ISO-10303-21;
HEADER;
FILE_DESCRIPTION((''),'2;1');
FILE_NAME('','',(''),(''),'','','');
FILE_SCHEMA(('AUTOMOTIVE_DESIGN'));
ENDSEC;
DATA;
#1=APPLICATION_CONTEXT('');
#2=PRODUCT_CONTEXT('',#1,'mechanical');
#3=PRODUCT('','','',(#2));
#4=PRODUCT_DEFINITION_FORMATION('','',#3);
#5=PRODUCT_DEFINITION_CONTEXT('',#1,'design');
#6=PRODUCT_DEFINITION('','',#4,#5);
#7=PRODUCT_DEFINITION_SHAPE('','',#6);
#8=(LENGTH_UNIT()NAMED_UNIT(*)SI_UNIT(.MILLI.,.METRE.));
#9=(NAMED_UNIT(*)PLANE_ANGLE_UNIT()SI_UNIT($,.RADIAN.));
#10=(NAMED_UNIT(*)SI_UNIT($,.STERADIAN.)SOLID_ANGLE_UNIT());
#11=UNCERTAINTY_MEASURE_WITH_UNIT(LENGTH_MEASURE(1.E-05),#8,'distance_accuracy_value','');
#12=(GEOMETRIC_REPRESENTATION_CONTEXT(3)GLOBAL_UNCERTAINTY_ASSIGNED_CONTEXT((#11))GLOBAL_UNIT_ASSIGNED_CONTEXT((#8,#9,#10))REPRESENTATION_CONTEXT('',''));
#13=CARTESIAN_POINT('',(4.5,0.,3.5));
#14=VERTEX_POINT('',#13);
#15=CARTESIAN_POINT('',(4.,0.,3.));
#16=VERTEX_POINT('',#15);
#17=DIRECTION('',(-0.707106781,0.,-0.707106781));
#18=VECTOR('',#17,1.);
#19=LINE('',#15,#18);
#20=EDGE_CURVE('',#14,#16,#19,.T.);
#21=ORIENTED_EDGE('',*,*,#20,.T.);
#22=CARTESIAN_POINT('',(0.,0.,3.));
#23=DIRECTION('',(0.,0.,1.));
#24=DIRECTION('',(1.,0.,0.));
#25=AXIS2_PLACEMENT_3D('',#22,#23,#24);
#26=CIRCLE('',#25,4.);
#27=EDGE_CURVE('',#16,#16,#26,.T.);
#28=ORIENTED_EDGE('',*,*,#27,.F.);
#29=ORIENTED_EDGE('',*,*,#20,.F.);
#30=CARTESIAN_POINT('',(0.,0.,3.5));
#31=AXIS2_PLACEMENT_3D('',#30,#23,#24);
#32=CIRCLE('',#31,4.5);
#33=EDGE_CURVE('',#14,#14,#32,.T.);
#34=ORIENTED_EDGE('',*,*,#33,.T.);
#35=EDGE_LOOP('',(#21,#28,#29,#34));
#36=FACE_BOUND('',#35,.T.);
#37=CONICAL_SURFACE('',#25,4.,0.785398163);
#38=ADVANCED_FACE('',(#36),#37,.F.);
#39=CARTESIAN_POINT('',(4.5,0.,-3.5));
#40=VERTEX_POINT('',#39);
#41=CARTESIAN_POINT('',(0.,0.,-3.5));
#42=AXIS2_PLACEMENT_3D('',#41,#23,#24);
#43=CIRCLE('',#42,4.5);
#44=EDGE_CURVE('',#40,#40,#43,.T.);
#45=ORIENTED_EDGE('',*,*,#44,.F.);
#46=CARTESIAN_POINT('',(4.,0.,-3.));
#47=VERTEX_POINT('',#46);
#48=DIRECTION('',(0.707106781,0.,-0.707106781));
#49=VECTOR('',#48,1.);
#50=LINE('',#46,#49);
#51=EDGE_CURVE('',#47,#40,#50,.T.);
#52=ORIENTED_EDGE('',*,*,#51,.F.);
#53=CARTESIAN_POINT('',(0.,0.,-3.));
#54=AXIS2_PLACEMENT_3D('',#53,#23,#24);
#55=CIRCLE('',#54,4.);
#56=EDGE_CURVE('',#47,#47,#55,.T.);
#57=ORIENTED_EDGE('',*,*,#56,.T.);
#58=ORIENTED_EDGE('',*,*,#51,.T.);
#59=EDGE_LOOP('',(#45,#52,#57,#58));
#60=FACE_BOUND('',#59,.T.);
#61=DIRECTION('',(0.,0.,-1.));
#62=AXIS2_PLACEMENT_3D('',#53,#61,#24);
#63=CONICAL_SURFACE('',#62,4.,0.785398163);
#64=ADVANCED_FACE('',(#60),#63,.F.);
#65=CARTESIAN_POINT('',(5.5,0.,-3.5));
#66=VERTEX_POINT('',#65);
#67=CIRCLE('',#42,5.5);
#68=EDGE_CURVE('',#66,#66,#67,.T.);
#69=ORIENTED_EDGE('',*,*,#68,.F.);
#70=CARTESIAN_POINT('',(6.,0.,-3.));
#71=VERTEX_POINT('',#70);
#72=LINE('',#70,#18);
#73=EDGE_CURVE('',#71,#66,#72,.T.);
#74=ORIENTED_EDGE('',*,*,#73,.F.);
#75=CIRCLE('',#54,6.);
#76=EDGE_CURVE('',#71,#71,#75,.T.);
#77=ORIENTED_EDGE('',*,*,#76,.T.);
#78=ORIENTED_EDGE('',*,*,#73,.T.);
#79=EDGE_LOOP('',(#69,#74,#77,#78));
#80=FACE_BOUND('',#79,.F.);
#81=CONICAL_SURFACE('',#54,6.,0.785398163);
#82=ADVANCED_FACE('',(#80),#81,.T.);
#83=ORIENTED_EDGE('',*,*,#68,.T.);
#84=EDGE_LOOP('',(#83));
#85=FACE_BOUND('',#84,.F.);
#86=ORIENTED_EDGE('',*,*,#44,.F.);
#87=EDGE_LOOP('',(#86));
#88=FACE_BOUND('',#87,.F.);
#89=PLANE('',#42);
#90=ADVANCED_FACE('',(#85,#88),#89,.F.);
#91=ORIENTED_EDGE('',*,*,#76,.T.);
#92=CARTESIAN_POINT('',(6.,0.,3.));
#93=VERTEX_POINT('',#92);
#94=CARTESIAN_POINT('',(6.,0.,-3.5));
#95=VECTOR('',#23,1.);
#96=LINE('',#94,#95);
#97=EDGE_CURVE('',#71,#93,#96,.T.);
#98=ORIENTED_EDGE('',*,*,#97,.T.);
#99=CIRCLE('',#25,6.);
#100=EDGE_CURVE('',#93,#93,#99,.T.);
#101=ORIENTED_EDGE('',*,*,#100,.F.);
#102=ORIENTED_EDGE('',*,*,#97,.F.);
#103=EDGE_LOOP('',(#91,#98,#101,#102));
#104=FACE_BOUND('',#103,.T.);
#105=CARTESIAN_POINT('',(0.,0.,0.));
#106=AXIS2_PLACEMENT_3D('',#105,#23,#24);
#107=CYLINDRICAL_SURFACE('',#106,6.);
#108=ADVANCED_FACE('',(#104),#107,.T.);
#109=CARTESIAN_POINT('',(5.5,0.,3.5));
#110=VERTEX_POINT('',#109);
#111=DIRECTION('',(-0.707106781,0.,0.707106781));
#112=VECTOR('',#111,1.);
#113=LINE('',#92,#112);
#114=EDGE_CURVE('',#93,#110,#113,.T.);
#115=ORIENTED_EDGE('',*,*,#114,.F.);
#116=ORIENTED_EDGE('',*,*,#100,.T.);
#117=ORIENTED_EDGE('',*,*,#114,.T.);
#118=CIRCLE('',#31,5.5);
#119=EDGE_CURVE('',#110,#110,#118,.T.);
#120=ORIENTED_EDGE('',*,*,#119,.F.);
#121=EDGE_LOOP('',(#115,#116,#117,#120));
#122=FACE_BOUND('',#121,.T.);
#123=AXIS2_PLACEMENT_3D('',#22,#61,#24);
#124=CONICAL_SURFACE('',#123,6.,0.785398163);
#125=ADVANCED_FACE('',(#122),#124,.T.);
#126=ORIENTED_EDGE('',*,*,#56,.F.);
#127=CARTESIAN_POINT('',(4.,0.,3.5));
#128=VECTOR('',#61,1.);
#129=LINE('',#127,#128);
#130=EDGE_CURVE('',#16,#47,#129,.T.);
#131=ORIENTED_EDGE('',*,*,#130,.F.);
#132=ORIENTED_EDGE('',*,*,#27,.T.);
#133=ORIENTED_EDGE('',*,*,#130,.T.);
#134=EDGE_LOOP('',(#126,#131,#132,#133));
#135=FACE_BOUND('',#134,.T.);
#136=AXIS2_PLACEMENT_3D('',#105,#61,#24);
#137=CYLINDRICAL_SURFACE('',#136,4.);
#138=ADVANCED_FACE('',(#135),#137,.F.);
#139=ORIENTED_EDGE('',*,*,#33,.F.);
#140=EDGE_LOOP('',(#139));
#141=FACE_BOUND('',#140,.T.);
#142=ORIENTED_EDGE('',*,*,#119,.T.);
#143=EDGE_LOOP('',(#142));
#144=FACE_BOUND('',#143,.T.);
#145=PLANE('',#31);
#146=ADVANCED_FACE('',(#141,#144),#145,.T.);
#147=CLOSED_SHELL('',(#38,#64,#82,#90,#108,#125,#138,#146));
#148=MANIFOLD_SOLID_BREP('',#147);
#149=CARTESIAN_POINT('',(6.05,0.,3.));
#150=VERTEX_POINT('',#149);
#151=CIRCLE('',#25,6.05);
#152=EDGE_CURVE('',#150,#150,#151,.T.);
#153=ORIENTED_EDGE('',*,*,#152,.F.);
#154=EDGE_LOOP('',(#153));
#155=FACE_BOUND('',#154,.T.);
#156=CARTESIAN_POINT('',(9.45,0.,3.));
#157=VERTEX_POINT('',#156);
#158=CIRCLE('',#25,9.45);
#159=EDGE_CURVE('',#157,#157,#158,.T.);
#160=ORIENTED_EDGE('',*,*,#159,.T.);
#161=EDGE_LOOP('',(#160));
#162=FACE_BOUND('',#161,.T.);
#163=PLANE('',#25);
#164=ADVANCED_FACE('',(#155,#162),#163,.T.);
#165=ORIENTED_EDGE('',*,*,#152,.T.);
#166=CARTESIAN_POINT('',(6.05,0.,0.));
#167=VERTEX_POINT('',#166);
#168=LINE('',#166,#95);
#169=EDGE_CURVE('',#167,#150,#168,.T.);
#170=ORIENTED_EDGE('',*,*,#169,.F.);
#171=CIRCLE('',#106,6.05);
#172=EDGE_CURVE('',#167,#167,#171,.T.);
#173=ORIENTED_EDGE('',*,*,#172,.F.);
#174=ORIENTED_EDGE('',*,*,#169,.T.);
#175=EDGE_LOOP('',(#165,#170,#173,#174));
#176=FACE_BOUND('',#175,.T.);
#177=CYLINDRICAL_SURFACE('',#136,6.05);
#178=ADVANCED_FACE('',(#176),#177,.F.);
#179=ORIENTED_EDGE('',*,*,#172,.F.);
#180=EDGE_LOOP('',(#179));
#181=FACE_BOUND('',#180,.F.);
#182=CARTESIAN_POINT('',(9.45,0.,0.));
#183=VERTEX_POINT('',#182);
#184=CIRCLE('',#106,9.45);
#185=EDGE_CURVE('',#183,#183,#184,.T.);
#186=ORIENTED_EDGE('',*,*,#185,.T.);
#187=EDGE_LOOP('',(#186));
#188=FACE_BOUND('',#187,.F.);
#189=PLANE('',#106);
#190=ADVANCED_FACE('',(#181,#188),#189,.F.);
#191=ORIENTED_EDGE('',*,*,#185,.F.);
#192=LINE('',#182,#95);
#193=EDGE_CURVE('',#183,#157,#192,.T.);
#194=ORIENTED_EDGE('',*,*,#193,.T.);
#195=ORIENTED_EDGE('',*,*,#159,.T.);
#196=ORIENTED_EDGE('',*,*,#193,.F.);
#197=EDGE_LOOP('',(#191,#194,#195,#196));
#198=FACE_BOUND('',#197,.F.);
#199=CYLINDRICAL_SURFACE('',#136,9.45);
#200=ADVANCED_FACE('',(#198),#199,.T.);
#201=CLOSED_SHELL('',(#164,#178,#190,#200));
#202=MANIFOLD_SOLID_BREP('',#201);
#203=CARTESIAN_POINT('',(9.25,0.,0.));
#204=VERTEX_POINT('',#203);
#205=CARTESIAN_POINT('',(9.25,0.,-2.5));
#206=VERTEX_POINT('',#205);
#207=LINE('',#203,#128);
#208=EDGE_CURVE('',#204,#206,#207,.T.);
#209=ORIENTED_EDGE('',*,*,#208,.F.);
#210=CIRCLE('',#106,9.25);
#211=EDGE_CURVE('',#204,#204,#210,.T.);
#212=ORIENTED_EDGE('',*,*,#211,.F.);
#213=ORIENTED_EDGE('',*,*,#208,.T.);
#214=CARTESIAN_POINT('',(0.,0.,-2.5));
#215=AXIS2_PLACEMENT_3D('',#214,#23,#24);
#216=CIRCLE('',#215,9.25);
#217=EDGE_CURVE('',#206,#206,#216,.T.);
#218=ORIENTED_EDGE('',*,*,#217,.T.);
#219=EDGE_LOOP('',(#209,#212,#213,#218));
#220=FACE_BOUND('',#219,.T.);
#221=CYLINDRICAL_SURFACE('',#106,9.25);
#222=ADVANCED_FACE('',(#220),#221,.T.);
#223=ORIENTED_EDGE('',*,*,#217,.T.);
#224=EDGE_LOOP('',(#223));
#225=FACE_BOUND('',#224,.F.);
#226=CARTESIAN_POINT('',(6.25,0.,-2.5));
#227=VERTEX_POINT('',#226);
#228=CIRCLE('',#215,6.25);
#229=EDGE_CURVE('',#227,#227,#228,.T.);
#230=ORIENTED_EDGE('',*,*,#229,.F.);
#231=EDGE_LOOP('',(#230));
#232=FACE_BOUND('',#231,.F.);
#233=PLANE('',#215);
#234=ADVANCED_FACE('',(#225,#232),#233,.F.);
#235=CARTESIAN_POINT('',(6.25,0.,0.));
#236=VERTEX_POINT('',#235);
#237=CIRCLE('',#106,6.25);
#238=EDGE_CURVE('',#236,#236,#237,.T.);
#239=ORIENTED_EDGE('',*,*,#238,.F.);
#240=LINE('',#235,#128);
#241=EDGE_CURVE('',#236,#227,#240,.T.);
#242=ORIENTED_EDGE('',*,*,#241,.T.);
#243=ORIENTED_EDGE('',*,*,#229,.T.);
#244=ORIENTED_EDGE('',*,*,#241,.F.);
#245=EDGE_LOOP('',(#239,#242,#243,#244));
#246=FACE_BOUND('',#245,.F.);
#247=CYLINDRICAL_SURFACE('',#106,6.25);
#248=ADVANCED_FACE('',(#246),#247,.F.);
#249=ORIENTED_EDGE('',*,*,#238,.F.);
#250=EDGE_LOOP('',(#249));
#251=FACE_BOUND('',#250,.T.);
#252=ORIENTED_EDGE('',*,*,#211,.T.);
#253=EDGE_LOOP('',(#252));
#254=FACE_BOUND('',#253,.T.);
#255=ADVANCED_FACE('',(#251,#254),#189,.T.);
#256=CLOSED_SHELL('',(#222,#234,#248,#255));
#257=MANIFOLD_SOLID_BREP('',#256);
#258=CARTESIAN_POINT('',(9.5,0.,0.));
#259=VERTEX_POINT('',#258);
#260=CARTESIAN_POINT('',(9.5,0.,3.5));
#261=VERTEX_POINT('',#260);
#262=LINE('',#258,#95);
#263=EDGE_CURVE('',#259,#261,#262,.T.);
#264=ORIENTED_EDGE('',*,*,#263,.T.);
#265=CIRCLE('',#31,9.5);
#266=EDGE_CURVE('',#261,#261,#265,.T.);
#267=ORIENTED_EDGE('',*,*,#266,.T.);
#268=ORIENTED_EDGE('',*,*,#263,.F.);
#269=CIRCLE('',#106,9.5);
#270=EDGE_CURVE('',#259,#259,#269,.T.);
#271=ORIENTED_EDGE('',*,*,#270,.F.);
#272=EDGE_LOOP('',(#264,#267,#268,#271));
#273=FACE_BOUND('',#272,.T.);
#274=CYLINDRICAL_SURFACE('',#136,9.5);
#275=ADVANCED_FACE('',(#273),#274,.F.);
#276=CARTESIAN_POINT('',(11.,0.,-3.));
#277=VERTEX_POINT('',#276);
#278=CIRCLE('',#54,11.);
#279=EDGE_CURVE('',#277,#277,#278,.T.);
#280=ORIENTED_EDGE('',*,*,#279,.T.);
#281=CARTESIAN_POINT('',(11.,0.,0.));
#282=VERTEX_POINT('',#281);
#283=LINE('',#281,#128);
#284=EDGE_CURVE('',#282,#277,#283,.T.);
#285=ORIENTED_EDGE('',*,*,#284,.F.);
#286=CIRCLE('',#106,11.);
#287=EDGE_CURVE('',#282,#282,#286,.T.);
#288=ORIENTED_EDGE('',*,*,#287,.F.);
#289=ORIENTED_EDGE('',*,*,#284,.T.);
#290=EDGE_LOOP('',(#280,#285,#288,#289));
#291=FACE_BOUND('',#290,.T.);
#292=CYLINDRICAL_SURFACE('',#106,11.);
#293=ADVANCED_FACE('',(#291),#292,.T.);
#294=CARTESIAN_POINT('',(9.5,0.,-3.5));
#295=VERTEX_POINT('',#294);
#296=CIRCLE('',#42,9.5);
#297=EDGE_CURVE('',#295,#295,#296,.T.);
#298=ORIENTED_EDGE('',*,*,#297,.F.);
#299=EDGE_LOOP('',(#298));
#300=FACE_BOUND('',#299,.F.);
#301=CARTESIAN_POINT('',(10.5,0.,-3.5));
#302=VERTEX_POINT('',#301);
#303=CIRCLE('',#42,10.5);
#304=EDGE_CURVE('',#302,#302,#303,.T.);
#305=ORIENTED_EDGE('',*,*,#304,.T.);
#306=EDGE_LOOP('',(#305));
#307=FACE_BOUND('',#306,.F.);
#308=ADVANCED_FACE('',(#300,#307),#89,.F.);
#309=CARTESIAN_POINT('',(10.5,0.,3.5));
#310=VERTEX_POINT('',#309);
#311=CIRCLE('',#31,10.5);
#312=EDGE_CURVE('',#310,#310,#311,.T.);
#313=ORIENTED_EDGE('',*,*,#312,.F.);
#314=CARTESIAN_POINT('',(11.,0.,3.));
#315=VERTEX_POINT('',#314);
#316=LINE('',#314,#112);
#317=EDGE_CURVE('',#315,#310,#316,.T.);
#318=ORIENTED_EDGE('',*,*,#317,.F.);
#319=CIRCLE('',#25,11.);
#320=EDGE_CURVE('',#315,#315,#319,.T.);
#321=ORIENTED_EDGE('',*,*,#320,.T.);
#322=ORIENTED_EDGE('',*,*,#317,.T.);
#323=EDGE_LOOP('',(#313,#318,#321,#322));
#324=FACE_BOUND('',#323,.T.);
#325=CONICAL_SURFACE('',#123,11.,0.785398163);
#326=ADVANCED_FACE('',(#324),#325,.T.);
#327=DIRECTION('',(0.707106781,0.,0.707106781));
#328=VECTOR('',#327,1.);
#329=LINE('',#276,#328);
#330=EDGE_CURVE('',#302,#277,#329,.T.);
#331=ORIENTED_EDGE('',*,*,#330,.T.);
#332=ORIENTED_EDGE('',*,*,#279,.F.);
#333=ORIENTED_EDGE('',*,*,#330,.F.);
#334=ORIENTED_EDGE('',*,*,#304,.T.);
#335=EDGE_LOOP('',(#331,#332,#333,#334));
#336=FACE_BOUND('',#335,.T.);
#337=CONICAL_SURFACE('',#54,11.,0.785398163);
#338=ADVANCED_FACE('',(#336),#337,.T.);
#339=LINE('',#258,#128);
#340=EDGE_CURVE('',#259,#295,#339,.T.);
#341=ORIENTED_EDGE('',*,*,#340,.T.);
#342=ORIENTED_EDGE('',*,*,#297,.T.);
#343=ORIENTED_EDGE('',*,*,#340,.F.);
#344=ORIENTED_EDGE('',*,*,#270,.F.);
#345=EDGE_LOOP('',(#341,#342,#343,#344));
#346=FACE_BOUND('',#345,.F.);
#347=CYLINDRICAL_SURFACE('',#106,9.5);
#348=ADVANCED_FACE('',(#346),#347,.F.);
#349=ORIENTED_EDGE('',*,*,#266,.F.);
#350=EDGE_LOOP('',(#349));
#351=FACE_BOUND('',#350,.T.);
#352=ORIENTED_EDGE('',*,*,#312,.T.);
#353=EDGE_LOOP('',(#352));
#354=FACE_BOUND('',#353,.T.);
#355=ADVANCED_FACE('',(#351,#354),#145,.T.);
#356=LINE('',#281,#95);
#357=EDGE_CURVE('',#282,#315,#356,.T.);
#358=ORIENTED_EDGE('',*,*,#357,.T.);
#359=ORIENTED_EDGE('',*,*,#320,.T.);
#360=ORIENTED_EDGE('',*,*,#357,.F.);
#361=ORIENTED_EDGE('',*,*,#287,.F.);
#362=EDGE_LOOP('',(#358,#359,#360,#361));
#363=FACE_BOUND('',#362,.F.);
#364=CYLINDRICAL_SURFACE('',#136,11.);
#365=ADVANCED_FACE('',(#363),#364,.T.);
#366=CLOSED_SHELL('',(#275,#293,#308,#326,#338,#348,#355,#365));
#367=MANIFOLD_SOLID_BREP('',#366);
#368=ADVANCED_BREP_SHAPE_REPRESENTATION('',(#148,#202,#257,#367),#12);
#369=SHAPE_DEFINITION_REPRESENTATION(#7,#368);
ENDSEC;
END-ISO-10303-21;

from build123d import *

# Parameters (mm, degrees)
F0_R     = 11
F0_R_2   = 9.5
F0_R_3   = 6
F0_R_4   = 4
F1_DEPTH = 3.5
F2_R     = 9.25
F2_R_2   = 6.25
F3_DEPTH = 2.5
F4_R     = 9.45
F4_R_2   = 6.05
F5_DEPTH = 3
F6_SIZE  = 0.5


with BuildPart() as f1:
    # F0 (on Top) → F1 (new body, symmetric)
    with BuildSketch(Plane.XY):
        Circle(F0_R)
        Circle(F0_R_2, mode=Mode.SUBTRACT)
        Circle(F0_R_3)
        Circle(F0_R_4, mode=Mode.SUBTRACT)
    extrude(amount=F1_DEPTH, both=True)

    # F6
    f6_edges = [f1.edges().sort_by_distance(p)[0] for p in [
        (-11, 0, 3.5),
        (-11, 0, -3.5),
        (-6, 0, 3.5),
        (-4, 0, 3.5),
        (-6, 0, -3.5),
        (-4, 0, -3.5),
    ]]
    chamfer(f6_edges, length=F6_SIZE)


with BuildPart() as f3:
    # F2 (on Top) → F3 (new body)
    with BuildSketch(Plane.XY):
        Circle(F2_R)
        Circle(F2_R_2, mode=Mode.SUBTRACT)
    extrude(amount=-F3_DEPTH)


with BuildPart() as f5:
    # F4 (on Top) → F5 (new body)
    with BuildSketch(Plane.XY):
        Circle(F4_R)
        Circle(F4_R_2, mode=Mode.SUBTRACT)
    extrude(amount=F5_DEPTH)


solid = Compound([f1.part, f3.part, f5.part])
